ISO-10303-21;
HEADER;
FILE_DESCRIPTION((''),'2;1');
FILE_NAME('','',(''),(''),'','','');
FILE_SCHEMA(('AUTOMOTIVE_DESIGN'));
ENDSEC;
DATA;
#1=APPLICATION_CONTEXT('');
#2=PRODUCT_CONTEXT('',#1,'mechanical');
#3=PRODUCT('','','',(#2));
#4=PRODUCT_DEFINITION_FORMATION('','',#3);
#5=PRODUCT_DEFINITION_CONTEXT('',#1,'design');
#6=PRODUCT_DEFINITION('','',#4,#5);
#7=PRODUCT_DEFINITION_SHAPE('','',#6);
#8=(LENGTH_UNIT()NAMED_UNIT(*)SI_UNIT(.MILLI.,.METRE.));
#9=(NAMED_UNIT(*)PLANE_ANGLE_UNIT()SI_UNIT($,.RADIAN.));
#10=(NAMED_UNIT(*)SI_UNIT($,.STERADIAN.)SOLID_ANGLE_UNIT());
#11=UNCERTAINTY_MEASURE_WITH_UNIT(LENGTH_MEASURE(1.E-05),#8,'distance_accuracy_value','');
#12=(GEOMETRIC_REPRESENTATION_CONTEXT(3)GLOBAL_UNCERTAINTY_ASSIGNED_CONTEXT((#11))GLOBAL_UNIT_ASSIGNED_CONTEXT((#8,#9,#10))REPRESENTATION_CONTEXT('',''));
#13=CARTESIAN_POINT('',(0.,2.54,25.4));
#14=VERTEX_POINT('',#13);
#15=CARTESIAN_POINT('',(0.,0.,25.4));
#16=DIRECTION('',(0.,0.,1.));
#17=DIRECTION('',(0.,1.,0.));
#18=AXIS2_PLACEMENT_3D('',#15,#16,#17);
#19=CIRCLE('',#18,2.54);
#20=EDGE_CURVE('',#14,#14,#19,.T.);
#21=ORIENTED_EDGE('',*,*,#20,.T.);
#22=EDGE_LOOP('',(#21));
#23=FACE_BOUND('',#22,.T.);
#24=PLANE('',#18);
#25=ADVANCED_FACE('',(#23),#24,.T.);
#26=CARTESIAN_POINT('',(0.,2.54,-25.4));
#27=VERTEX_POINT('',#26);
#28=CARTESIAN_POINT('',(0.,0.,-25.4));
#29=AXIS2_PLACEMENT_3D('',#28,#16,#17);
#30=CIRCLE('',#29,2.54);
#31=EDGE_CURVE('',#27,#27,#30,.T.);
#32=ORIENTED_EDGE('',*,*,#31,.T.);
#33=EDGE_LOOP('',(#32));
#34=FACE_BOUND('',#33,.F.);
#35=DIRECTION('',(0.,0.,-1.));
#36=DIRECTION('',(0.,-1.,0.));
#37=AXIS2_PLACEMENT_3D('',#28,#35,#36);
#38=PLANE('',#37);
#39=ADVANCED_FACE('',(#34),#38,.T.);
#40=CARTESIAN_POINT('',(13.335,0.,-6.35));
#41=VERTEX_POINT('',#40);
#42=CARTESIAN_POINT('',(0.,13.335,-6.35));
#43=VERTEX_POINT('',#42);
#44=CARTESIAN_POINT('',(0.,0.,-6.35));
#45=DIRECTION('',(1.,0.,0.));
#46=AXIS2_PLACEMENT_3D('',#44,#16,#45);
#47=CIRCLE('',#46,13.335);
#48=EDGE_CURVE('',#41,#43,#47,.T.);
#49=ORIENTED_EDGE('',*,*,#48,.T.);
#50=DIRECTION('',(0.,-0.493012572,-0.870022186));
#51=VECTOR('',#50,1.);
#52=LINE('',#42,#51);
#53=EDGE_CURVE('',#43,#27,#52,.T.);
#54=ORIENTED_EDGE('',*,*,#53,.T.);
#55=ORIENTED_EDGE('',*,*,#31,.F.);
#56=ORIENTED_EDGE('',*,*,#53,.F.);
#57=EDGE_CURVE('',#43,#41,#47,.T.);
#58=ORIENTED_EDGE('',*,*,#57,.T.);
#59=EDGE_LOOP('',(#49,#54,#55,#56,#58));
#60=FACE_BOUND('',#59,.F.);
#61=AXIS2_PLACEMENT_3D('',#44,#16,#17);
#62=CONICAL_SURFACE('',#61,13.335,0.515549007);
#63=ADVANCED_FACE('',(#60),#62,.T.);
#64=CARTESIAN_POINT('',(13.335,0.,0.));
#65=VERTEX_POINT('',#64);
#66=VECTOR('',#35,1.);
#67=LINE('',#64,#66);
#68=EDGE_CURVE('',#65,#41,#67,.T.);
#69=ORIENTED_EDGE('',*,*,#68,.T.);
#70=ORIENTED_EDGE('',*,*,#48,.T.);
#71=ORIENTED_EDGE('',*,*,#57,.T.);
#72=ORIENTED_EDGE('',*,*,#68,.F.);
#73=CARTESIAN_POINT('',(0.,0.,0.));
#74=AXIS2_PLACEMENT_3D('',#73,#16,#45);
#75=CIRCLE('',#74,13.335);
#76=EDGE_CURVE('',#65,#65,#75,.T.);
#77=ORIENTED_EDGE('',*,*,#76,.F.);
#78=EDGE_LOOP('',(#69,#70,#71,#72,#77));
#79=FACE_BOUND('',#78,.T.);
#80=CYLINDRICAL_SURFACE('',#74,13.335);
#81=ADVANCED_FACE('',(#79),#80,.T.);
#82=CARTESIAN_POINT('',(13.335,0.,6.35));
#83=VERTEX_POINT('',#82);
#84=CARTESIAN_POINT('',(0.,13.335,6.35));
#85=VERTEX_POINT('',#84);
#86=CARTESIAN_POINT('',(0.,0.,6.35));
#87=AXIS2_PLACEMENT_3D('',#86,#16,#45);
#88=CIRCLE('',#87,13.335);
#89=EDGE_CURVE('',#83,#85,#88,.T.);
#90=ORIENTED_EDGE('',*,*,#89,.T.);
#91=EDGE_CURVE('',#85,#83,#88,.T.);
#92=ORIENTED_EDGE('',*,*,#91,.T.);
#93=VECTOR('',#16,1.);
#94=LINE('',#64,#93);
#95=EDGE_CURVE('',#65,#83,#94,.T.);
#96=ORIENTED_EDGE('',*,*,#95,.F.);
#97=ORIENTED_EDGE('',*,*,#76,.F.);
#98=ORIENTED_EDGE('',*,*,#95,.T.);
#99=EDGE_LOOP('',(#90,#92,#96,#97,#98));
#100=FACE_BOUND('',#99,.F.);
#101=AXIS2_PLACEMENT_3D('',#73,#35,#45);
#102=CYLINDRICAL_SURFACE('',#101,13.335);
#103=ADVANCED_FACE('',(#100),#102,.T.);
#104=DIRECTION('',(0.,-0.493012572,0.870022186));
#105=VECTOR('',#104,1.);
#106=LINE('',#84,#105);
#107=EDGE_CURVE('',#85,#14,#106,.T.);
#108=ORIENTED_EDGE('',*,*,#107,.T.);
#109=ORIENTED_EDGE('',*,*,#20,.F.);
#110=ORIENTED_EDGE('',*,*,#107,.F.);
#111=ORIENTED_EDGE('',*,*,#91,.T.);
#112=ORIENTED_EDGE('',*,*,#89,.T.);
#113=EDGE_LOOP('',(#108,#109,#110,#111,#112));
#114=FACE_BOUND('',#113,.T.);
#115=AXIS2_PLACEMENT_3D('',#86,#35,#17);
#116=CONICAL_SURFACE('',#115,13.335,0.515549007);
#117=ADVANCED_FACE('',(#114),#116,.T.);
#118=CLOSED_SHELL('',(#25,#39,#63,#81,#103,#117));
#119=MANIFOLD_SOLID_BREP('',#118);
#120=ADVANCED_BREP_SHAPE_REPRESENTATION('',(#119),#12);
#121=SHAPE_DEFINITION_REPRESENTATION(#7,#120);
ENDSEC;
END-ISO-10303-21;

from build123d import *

# Parameters (mm, degrees)
F0_R     = 13.335
F1_DEPTH = 6.35


with BuildPart() as f1:
    # F0 (on Top) → F1 (new body)
    with BuildSketch(Plane.XY):
        Circle(F0_R)
    extrude(amount=F1_DEPTH)

    # F4 (on Right) → F6 (revolve)
    with BuildSketch(Plane.YZ):
        Polygon((0, 25.4), (0, 6.35), (13.335, 6.35), (2.54, 25.4), align=None)
    revolve(axis=Axis((0, 0, 24.791185), (0, 0, 1)))

    # F7: F1 across plane


with BuildPart() as f1_1:
    add(f1.part)
    add(f1.part.mirror(Plane.XY))


solid = f1_1.part
